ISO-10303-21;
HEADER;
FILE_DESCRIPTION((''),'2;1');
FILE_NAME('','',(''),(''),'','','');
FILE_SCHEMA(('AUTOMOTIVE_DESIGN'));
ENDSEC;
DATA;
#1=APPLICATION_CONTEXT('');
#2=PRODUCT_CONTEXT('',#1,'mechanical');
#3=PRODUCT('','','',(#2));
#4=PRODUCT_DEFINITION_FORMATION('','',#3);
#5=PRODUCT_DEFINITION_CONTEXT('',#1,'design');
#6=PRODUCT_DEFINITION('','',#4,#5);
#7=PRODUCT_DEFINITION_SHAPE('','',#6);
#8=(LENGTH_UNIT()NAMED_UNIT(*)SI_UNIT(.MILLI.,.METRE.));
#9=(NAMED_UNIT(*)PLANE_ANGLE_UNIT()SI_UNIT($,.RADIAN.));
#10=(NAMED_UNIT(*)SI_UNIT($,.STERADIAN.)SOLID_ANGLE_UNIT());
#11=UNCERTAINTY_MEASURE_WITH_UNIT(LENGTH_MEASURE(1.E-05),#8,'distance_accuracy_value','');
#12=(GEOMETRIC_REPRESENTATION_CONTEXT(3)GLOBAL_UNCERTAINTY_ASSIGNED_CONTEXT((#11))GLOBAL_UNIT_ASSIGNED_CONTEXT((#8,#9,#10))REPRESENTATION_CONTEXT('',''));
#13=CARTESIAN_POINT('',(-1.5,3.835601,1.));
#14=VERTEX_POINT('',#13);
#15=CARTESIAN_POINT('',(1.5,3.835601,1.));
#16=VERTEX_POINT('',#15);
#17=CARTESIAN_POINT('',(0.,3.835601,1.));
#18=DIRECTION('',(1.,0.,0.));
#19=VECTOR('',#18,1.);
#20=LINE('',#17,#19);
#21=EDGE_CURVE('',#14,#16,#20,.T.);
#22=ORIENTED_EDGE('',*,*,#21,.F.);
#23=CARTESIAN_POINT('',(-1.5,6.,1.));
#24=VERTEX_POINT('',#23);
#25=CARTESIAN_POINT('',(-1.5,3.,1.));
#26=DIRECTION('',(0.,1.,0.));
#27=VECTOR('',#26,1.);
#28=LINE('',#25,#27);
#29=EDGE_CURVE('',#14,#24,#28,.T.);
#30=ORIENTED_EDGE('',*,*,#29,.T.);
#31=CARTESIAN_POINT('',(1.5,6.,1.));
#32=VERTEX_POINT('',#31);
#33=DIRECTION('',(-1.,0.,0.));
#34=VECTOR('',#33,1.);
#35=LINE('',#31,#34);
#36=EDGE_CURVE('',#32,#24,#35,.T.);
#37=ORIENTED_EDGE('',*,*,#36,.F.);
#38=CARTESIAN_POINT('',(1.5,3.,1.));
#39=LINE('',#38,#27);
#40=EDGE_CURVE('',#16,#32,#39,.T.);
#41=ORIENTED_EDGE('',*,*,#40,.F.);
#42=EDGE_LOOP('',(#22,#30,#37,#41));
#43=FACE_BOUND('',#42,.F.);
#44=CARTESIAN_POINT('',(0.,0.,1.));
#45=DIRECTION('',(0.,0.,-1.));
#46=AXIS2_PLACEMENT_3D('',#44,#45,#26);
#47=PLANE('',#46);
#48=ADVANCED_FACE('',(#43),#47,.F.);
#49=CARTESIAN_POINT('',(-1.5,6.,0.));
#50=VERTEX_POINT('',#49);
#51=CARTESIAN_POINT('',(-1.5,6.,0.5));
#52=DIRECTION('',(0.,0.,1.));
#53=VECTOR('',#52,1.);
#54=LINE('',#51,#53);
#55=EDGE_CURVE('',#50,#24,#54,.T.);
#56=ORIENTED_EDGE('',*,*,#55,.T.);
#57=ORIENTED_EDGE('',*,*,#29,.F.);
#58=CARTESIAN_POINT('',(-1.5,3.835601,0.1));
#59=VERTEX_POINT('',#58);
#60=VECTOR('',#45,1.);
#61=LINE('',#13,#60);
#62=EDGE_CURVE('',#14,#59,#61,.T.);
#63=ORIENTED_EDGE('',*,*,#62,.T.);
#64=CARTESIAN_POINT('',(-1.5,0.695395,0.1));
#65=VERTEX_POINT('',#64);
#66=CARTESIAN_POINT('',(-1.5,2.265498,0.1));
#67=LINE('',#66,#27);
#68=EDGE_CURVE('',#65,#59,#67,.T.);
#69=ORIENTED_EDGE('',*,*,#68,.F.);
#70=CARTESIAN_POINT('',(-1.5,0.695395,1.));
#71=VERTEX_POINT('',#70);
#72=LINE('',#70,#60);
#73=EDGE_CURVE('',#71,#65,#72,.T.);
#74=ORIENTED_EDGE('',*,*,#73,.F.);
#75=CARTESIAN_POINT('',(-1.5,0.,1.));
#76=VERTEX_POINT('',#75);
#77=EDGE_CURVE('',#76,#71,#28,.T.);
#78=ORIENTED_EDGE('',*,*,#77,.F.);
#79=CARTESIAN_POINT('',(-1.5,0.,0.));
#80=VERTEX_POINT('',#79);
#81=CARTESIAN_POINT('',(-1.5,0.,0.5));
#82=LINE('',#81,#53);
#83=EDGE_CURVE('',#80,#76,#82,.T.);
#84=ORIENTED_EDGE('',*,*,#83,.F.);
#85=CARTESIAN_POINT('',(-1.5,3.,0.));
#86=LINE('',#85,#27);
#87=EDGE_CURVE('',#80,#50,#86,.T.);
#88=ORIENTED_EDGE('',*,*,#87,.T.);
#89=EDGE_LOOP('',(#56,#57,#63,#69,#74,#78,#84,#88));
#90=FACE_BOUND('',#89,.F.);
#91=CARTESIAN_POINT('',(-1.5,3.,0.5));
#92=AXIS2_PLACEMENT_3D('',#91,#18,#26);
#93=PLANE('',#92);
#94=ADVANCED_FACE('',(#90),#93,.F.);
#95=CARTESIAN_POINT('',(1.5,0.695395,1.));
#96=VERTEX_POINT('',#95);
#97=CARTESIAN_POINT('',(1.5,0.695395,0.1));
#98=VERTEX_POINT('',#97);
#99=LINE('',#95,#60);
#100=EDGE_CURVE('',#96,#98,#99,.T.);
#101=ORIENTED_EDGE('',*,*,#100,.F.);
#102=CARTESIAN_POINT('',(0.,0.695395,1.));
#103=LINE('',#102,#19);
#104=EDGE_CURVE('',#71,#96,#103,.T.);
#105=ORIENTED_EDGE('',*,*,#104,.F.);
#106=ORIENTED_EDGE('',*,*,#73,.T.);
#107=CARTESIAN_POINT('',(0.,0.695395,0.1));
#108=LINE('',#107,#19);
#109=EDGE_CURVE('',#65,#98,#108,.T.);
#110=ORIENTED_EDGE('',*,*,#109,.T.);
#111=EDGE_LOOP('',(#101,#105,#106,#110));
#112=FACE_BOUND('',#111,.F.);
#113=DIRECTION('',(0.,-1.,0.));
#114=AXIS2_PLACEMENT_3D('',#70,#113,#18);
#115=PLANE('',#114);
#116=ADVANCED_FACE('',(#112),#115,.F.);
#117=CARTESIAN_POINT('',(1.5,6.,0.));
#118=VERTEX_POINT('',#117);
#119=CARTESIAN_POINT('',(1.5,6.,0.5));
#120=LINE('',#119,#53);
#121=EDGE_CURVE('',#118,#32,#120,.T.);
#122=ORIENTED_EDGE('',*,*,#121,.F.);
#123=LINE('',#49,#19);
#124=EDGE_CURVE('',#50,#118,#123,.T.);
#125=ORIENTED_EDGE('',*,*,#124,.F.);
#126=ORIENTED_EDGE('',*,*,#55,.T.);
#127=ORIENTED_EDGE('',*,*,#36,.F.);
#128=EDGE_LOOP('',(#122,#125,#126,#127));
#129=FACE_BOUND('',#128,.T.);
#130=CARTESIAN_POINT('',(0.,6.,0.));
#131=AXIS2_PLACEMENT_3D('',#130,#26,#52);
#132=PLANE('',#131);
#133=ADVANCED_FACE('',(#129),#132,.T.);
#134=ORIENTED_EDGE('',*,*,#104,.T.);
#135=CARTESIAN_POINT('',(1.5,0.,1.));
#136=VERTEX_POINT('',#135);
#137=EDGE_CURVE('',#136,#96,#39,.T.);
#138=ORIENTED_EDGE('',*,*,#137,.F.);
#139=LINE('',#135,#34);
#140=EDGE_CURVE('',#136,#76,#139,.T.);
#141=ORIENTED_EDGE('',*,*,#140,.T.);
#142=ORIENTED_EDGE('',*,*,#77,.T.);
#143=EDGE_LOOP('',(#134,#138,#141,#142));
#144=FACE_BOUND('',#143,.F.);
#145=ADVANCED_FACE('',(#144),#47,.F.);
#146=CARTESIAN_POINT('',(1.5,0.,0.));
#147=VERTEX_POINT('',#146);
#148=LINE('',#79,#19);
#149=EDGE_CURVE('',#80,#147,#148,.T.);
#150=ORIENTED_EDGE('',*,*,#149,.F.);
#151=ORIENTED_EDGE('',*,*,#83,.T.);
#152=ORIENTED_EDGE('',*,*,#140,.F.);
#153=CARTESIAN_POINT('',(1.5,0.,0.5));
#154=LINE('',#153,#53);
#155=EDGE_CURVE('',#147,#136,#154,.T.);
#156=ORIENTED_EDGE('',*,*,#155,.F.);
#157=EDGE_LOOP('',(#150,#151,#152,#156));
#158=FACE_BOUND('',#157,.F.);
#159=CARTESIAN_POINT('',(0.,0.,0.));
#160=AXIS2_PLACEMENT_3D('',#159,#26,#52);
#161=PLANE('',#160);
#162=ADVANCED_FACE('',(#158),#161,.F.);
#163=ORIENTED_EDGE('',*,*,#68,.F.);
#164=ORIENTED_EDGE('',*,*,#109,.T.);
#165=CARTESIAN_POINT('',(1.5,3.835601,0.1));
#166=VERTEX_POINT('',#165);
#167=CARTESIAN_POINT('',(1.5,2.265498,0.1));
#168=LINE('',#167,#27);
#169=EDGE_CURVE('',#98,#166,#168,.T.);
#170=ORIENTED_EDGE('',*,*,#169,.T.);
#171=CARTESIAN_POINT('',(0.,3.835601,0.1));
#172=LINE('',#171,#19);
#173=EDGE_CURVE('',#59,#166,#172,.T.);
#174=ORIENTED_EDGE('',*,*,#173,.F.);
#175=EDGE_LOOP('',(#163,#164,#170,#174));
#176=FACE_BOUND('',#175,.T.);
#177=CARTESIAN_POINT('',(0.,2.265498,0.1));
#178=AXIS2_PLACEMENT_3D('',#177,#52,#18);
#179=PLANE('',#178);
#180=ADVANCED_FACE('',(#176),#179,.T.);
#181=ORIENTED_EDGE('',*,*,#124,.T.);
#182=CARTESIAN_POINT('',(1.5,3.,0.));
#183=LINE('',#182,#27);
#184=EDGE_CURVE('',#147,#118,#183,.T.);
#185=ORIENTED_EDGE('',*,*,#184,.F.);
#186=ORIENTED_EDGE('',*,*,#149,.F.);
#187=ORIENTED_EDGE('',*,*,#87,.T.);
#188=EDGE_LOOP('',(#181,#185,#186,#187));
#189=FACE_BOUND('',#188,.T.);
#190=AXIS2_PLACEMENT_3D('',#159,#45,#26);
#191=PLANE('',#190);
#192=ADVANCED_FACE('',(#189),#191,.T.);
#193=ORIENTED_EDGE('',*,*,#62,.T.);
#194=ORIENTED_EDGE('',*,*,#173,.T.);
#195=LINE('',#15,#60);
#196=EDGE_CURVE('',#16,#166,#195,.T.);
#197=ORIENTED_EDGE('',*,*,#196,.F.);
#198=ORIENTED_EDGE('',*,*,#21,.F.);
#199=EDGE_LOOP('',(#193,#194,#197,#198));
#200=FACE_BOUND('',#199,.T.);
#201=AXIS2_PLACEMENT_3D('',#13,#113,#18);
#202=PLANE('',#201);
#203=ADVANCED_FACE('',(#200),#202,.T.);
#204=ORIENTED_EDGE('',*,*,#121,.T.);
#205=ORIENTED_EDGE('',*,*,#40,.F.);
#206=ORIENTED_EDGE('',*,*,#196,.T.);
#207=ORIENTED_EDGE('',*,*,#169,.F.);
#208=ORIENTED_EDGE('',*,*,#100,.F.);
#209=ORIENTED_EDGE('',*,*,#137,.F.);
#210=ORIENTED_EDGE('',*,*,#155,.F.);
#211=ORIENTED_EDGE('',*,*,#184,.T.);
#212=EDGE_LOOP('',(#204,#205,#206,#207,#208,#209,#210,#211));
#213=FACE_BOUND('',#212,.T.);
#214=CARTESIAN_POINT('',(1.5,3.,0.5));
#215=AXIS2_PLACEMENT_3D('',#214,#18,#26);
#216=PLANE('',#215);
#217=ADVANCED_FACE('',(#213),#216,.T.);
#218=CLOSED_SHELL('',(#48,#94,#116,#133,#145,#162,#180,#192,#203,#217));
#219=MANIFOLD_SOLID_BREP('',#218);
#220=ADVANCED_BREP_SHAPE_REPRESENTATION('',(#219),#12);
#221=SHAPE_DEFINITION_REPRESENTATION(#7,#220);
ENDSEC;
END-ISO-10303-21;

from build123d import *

# Parameters (mm, degrees)
F0_W     = 6
F0_H     = 1
F1_DEPTH = 1.5
F2_W     = 3
F2_H     = 3.140206
F3_DEPTH = 0.9


with BuildPart() as f1:
    # F0 (on Right) → F1 (new body, symmetric)
    with BuildSketch(Plane.YZ):
        with Locations((3, 0.5)):
            Rectangle(F0_W, F0_H)
    extrude(amount=F1_DEPTH, both=True)

    # F2 (on face) → F3 (cut)
    with BuildSketch(Plane.XY.offset(1)):
        with Locations((0, 2.265498)):
            Rectangle(F2_W, F2_H)
    extrude(amount=-F3_DEPTH, mode=Mode.SUBTRACT)


solid = f1.part
